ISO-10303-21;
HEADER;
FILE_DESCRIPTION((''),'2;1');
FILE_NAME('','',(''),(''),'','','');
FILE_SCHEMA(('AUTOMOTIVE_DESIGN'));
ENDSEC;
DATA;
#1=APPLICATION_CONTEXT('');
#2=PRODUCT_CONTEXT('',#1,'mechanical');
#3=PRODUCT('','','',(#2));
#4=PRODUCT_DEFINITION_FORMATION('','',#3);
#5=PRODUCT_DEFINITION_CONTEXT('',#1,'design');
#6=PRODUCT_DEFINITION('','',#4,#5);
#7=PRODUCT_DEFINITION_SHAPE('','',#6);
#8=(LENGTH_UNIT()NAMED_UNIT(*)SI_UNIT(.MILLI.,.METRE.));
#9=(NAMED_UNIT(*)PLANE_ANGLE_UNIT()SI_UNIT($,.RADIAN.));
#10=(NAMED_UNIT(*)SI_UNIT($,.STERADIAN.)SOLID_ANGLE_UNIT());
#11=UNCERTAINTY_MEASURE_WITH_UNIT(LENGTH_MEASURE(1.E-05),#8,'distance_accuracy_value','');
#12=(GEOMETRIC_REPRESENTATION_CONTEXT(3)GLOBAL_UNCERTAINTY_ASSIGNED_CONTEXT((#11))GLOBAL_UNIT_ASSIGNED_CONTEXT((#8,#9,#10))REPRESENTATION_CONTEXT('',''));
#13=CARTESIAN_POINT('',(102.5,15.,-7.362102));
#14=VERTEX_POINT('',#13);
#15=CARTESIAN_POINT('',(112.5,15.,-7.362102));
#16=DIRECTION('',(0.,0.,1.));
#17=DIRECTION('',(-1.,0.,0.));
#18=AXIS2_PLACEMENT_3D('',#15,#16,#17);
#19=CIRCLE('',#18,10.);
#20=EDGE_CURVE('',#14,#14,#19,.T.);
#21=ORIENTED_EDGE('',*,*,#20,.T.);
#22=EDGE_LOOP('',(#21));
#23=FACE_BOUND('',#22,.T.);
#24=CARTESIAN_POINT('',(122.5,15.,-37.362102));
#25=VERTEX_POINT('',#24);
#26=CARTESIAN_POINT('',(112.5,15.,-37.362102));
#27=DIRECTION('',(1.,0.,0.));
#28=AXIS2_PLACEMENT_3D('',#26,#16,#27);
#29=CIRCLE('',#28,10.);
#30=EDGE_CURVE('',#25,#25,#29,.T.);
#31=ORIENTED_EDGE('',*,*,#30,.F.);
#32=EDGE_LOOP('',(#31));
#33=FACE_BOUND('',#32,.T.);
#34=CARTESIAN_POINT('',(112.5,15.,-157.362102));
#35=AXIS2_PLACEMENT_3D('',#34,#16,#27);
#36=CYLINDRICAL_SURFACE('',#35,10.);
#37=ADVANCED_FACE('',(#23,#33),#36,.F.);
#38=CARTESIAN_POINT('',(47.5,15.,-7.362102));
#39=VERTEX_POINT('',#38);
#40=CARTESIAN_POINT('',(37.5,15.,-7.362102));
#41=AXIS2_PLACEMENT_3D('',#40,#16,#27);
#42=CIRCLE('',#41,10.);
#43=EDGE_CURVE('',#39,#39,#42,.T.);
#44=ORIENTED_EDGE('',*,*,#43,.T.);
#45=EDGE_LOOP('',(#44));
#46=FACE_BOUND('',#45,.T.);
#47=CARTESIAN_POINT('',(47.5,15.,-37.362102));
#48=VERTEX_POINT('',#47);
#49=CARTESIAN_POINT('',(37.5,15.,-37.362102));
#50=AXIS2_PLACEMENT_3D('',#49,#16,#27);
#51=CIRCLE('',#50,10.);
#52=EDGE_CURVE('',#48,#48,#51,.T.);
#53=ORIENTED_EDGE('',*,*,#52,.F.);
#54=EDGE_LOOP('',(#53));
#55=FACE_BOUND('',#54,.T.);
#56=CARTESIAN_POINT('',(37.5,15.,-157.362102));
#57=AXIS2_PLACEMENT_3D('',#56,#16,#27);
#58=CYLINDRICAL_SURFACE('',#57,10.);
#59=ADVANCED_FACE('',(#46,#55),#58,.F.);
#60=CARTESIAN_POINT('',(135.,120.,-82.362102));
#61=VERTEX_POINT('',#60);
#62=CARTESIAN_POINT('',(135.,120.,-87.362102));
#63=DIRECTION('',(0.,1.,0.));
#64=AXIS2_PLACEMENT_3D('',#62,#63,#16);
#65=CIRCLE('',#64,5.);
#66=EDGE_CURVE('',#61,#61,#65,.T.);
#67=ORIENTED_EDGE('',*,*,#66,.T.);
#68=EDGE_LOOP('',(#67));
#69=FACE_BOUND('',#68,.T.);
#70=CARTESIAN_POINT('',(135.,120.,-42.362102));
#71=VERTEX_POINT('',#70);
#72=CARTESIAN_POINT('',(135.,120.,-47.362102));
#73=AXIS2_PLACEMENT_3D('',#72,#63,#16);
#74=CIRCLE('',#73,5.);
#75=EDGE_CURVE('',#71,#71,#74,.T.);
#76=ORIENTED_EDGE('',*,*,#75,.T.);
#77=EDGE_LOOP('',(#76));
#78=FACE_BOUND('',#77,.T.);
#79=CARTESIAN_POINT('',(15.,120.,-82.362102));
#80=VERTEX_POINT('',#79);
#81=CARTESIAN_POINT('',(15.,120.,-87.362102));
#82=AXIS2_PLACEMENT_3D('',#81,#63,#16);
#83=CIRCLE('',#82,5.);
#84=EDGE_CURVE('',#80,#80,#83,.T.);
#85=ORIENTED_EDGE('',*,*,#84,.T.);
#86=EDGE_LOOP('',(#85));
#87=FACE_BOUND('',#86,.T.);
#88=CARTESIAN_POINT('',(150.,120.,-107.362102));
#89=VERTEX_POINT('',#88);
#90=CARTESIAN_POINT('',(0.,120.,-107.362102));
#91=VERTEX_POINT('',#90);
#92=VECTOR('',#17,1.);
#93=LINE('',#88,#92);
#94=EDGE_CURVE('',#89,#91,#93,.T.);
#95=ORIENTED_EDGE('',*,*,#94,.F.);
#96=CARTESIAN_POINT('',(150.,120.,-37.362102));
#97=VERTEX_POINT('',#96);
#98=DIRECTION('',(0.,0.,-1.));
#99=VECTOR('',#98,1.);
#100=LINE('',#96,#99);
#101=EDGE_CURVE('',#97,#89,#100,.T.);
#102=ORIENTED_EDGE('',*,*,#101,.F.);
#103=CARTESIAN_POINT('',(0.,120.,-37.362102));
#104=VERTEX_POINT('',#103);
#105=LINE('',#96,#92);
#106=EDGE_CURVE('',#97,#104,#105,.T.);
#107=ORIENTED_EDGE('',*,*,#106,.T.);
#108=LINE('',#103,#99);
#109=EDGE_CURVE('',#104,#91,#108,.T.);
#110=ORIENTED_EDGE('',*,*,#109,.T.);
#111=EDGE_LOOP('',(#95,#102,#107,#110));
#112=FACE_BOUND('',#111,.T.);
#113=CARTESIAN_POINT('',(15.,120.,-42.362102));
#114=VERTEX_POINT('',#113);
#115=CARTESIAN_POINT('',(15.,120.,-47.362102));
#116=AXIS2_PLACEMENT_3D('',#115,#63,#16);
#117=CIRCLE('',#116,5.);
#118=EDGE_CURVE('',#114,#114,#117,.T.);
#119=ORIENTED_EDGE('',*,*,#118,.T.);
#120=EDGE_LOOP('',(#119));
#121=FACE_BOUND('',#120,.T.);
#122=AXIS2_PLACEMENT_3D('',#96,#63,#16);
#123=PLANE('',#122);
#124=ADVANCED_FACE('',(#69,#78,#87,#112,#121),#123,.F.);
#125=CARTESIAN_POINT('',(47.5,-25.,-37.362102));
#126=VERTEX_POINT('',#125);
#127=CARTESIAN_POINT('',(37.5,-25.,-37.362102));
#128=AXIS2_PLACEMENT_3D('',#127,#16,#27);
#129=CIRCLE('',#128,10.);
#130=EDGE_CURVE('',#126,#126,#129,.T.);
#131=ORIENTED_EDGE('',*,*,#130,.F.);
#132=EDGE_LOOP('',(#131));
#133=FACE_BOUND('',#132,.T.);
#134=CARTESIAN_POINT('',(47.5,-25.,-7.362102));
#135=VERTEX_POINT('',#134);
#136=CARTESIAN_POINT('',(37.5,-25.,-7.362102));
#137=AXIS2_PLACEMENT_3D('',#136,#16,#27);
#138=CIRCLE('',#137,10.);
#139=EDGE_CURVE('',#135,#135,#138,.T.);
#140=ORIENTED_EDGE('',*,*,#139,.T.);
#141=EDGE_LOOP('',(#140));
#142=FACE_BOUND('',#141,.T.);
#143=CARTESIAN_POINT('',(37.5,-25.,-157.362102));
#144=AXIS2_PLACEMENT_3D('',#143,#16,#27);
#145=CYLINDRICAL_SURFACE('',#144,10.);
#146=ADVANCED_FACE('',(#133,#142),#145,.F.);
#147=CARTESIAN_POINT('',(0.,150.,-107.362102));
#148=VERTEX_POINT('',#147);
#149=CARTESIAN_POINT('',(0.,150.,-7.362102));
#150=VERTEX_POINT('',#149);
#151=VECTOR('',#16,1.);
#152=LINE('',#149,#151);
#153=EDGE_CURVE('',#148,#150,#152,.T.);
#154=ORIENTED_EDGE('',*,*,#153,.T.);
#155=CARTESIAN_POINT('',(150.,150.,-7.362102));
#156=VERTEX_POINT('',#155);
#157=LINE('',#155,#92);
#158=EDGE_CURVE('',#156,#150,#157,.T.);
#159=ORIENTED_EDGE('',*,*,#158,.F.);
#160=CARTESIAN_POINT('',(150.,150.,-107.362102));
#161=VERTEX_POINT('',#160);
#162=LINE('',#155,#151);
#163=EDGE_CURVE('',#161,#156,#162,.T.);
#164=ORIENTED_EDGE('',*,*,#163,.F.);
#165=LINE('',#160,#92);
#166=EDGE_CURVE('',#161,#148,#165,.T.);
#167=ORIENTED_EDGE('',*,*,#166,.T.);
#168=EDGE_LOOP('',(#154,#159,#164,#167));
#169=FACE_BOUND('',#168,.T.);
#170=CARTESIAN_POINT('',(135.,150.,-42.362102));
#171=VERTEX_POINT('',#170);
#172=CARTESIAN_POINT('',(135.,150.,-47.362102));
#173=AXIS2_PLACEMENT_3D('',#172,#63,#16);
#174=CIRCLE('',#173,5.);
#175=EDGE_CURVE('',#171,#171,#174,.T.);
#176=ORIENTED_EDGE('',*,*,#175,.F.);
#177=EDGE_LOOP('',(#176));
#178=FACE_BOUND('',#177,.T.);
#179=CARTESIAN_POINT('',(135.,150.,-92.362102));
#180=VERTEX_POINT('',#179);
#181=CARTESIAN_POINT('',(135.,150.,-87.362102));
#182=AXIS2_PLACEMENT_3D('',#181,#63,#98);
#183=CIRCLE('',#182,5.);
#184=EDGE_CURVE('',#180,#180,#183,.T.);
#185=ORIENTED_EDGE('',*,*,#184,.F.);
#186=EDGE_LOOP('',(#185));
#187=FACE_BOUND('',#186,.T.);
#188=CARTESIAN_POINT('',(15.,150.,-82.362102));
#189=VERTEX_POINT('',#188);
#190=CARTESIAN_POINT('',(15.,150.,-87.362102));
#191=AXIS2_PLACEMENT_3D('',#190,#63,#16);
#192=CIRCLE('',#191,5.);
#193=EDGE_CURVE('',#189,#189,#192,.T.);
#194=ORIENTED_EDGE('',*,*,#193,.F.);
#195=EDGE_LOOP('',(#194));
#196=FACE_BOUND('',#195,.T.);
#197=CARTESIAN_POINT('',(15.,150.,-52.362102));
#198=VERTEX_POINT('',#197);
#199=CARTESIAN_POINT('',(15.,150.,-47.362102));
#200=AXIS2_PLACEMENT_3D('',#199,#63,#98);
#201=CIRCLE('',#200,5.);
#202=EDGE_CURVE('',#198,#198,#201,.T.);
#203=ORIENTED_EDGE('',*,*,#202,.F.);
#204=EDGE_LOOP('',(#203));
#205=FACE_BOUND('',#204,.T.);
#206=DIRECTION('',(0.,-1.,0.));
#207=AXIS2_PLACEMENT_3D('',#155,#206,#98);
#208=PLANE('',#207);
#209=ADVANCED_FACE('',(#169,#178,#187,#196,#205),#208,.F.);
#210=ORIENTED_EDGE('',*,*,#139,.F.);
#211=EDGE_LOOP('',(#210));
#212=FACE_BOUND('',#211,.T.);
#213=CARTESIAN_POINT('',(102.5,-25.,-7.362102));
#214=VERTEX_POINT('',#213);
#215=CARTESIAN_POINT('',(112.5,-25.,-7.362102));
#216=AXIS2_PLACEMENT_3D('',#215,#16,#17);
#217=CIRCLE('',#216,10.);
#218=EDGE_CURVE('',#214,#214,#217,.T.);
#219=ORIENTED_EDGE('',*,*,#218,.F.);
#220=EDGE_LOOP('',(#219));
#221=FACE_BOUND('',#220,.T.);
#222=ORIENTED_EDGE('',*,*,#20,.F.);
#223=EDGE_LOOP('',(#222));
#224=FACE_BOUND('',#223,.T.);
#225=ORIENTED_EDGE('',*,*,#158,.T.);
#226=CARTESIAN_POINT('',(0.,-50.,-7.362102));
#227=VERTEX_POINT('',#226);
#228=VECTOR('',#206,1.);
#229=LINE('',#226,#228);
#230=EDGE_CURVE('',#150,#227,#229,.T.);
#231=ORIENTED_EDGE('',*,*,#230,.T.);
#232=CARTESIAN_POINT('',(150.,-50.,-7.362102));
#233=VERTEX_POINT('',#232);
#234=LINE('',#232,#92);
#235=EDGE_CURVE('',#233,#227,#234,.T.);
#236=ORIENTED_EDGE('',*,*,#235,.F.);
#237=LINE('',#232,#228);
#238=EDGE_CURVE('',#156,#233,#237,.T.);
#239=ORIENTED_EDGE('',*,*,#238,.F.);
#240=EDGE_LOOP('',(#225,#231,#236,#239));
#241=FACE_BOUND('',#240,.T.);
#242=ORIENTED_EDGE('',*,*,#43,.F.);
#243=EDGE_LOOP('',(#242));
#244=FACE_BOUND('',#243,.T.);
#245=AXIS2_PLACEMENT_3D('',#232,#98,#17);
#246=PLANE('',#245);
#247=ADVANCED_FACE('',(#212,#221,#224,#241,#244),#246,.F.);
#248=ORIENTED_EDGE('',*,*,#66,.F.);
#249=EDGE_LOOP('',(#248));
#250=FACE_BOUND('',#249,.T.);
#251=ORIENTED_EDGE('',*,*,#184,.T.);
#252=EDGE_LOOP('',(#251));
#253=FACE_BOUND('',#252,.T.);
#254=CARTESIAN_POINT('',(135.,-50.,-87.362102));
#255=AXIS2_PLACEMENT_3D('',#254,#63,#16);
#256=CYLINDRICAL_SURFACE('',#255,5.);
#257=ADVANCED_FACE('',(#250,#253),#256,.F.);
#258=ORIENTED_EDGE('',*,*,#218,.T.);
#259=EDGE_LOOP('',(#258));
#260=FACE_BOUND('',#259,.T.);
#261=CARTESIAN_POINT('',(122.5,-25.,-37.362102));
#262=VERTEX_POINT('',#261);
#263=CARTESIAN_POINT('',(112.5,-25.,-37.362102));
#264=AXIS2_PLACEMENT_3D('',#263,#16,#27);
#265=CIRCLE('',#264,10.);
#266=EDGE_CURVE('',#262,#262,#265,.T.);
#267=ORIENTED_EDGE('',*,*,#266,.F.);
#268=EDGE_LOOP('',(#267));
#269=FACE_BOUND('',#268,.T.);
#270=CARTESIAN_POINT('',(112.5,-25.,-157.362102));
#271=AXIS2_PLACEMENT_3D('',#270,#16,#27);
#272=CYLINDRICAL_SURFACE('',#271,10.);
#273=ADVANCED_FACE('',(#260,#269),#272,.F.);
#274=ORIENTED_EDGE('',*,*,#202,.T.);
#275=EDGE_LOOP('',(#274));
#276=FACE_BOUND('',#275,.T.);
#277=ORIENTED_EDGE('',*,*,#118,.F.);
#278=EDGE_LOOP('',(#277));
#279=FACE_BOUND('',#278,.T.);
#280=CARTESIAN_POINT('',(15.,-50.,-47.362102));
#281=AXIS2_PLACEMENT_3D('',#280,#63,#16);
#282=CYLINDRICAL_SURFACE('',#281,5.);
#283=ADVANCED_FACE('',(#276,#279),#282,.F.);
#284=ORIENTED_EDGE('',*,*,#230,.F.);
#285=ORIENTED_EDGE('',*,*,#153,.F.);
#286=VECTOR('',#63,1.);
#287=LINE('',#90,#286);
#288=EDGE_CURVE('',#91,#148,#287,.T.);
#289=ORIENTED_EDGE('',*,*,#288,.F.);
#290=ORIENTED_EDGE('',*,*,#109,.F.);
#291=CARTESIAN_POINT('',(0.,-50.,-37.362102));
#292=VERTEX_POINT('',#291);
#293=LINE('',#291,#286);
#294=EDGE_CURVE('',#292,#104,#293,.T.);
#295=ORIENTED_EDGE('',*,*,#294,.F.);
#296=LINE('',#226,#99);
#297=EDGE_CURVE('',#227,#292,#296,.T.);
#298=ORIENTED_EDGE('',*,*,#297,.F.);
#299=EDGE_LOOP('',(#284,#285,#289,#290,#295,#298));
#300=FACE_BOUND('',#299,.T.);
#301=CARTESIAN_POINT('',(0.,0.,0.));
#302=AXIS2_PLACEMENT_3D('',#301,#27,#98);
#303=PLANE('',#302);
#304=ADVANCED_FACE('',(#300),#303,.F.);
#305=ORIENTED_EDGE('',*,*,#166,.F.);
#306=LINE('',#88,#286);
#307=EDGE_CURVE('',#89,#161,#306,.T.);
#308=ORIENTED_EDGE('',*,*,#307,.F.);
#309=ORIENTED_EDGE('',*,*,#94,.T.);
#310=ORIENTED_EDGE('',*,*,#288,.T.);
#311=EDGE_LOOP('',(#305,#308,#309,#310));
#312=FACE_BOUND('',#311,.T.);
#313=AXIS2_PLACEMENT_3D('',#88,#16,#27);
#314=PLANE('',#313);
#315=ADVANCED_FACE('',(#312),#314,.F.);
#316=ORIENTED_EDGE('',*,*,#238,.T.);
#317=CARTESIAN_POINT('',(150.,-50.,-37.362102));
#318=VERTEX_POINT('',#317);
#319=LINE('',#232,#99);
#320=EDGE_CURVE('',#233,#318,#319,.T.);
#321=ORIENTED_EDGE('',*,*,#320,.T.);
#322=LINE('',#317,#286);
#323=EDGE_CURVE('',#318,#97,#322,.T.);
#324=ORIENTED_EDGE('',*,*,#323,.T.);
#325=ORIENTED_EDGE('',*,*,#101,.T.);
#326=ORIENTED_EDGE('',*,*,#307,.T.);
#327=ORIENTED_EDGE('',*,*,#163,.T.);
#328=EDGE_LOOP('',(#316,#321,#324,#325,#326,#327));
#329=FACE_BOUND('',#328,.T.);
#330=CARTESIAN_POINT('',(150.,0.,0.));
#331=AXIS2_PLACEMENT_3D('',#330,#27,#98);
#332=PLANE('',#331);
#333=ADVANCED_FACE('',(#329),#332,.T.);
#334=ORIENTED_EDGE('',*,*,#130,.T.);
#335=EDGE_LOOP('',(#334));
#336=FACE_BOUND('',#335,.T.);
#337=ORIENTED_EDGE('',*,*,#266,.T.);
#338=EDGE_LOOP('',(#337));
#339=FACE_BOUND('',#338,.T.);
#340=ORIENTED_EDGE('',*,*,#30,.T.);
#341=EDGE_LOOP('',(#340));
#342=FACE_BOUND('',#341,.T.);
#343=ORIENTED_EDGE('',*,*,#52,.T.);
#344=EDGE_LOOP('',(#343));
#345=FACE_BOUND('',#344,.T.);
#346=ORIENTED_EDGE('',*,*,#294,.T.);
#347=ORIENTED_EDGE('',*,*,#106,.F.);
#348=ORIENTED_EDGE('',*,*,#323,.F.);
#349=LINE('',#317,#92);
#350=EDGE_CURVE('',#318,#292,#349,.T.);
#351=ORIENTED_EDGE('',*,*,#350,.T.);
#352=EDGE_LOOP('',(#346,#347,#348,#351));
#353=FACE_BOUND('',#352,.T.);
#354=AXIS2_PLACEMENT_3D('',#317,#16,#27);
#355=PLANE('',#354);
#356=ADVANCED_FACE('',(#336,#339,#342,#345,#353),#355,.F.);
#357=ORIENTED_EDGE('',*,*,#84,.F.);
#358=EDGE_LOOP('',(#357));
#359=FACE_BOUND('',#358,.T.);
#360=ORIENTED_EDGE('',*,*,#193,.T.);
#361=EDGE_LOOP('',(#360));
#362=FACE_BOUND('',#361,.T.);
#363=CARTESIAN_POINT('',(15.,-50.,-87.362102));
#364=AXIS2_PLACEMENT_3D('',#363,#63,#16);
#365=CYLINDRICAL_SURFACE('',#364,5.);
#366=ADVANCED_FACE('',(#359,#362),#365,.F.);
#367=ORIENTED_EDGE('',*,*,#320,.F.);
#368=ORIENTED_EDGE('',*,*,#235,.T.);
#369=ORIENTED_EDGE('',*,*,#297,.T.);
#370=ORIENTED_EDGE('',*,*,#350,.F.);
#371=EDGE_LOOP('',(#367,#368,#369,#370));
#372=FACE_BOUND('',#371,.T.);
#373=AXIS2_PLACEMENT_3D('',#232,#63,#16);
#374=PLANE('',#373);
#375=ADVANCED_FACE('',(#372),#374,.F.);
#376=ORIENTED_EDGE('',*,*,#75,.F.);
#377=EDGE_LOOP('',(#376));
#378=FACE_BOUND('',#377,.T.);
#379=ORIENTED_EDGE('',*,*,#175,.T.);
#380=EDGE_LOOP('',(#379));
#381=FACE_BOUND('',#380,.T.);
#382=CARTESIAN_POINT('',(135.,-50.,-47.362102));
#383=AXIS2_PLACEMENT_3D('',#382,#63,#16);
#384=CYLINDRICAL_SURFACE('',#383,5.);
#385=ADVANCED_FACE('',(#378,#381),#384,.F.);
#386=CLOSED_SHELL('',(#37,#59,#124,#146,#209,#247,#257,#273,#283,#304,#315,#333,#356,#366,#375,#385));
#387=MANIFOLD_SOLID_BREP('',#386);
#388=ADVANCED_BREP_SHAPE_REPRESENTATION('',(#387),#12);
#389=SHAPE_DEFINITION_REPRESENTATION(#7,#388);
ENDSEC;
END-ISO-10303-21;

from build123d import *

# Parameters (mm, degrees)
BOSS_EXTRUDE1_DEPTH = 150
SKETCH2_R           = 10
CUT_EXTRUDE1_DEPTH  = 150
SKETCH3_R           = 5
CUT_EXTRUDE2_DEPTH  = 273.07833604


with BuildPart() as part:
    # Sketch1 → Boss-Extrude1 (new body)
    with BuildSketch(Plane(origin=(0, 0, 0), x_dir=(0, 0, -1), z_dir=(1, 0, 0))):
        Polygon((7.362101983, -50), (7.362101983, 150), (107.362101983, 150), (107.362101983, 120), (37.362101983, 120), (37.362101983, -50), align=None)
    extrude(amount=BOSS_EXTRUDE1_DEPTH)

    # Sketch2 → Cut-Extrude1 (cut)
    with BuildSketch(Plane.XY.offset(-7.362101983)):
        with Locations((37.5, -25)):
            Circle(SKETCH2_R)
        with Locations((37.5, 15)):
            Circle(SKETCH2_R)
        with Locations((112.5, -25)):
            Circle(SKETCH2_R)
        with Locations((112.5, 15)):
            Circle(SKETCH2_R)
    extrude(amount=-CUT_EXTRUDE1_DEPTH, mode=Mode.SUBTRACT)

    # Sketch3 → Cut-Extrude2 (cut, through all)
    with BuildSketch(Plane(origin=(0, 150, 0), x_dir=(1, 0, 0), z_dir=(0, 1, 0))):
        with Locations(Location((15, 87.362101983, 0), (0, 0, 270))):
            Circle(SKETCH3_R)
        with Locations(Location((15, 47.362101983, 0), (0, 0, 270))):
            Circle(SKETCH3_R)
        with Locations(Location((135, 47.362101983, 0), (0, 0, 270))):
            Circle(SKETCH3_R)
        with Locations(Location((135, 87.362101983, 0), (0, 0, 270))):
            Circle(SKETCH3_R)
    extrude(amount=-CUT_EXTRUDE2_DEPTH, mode=Mode.SUBTRACT)


solid = part.part
